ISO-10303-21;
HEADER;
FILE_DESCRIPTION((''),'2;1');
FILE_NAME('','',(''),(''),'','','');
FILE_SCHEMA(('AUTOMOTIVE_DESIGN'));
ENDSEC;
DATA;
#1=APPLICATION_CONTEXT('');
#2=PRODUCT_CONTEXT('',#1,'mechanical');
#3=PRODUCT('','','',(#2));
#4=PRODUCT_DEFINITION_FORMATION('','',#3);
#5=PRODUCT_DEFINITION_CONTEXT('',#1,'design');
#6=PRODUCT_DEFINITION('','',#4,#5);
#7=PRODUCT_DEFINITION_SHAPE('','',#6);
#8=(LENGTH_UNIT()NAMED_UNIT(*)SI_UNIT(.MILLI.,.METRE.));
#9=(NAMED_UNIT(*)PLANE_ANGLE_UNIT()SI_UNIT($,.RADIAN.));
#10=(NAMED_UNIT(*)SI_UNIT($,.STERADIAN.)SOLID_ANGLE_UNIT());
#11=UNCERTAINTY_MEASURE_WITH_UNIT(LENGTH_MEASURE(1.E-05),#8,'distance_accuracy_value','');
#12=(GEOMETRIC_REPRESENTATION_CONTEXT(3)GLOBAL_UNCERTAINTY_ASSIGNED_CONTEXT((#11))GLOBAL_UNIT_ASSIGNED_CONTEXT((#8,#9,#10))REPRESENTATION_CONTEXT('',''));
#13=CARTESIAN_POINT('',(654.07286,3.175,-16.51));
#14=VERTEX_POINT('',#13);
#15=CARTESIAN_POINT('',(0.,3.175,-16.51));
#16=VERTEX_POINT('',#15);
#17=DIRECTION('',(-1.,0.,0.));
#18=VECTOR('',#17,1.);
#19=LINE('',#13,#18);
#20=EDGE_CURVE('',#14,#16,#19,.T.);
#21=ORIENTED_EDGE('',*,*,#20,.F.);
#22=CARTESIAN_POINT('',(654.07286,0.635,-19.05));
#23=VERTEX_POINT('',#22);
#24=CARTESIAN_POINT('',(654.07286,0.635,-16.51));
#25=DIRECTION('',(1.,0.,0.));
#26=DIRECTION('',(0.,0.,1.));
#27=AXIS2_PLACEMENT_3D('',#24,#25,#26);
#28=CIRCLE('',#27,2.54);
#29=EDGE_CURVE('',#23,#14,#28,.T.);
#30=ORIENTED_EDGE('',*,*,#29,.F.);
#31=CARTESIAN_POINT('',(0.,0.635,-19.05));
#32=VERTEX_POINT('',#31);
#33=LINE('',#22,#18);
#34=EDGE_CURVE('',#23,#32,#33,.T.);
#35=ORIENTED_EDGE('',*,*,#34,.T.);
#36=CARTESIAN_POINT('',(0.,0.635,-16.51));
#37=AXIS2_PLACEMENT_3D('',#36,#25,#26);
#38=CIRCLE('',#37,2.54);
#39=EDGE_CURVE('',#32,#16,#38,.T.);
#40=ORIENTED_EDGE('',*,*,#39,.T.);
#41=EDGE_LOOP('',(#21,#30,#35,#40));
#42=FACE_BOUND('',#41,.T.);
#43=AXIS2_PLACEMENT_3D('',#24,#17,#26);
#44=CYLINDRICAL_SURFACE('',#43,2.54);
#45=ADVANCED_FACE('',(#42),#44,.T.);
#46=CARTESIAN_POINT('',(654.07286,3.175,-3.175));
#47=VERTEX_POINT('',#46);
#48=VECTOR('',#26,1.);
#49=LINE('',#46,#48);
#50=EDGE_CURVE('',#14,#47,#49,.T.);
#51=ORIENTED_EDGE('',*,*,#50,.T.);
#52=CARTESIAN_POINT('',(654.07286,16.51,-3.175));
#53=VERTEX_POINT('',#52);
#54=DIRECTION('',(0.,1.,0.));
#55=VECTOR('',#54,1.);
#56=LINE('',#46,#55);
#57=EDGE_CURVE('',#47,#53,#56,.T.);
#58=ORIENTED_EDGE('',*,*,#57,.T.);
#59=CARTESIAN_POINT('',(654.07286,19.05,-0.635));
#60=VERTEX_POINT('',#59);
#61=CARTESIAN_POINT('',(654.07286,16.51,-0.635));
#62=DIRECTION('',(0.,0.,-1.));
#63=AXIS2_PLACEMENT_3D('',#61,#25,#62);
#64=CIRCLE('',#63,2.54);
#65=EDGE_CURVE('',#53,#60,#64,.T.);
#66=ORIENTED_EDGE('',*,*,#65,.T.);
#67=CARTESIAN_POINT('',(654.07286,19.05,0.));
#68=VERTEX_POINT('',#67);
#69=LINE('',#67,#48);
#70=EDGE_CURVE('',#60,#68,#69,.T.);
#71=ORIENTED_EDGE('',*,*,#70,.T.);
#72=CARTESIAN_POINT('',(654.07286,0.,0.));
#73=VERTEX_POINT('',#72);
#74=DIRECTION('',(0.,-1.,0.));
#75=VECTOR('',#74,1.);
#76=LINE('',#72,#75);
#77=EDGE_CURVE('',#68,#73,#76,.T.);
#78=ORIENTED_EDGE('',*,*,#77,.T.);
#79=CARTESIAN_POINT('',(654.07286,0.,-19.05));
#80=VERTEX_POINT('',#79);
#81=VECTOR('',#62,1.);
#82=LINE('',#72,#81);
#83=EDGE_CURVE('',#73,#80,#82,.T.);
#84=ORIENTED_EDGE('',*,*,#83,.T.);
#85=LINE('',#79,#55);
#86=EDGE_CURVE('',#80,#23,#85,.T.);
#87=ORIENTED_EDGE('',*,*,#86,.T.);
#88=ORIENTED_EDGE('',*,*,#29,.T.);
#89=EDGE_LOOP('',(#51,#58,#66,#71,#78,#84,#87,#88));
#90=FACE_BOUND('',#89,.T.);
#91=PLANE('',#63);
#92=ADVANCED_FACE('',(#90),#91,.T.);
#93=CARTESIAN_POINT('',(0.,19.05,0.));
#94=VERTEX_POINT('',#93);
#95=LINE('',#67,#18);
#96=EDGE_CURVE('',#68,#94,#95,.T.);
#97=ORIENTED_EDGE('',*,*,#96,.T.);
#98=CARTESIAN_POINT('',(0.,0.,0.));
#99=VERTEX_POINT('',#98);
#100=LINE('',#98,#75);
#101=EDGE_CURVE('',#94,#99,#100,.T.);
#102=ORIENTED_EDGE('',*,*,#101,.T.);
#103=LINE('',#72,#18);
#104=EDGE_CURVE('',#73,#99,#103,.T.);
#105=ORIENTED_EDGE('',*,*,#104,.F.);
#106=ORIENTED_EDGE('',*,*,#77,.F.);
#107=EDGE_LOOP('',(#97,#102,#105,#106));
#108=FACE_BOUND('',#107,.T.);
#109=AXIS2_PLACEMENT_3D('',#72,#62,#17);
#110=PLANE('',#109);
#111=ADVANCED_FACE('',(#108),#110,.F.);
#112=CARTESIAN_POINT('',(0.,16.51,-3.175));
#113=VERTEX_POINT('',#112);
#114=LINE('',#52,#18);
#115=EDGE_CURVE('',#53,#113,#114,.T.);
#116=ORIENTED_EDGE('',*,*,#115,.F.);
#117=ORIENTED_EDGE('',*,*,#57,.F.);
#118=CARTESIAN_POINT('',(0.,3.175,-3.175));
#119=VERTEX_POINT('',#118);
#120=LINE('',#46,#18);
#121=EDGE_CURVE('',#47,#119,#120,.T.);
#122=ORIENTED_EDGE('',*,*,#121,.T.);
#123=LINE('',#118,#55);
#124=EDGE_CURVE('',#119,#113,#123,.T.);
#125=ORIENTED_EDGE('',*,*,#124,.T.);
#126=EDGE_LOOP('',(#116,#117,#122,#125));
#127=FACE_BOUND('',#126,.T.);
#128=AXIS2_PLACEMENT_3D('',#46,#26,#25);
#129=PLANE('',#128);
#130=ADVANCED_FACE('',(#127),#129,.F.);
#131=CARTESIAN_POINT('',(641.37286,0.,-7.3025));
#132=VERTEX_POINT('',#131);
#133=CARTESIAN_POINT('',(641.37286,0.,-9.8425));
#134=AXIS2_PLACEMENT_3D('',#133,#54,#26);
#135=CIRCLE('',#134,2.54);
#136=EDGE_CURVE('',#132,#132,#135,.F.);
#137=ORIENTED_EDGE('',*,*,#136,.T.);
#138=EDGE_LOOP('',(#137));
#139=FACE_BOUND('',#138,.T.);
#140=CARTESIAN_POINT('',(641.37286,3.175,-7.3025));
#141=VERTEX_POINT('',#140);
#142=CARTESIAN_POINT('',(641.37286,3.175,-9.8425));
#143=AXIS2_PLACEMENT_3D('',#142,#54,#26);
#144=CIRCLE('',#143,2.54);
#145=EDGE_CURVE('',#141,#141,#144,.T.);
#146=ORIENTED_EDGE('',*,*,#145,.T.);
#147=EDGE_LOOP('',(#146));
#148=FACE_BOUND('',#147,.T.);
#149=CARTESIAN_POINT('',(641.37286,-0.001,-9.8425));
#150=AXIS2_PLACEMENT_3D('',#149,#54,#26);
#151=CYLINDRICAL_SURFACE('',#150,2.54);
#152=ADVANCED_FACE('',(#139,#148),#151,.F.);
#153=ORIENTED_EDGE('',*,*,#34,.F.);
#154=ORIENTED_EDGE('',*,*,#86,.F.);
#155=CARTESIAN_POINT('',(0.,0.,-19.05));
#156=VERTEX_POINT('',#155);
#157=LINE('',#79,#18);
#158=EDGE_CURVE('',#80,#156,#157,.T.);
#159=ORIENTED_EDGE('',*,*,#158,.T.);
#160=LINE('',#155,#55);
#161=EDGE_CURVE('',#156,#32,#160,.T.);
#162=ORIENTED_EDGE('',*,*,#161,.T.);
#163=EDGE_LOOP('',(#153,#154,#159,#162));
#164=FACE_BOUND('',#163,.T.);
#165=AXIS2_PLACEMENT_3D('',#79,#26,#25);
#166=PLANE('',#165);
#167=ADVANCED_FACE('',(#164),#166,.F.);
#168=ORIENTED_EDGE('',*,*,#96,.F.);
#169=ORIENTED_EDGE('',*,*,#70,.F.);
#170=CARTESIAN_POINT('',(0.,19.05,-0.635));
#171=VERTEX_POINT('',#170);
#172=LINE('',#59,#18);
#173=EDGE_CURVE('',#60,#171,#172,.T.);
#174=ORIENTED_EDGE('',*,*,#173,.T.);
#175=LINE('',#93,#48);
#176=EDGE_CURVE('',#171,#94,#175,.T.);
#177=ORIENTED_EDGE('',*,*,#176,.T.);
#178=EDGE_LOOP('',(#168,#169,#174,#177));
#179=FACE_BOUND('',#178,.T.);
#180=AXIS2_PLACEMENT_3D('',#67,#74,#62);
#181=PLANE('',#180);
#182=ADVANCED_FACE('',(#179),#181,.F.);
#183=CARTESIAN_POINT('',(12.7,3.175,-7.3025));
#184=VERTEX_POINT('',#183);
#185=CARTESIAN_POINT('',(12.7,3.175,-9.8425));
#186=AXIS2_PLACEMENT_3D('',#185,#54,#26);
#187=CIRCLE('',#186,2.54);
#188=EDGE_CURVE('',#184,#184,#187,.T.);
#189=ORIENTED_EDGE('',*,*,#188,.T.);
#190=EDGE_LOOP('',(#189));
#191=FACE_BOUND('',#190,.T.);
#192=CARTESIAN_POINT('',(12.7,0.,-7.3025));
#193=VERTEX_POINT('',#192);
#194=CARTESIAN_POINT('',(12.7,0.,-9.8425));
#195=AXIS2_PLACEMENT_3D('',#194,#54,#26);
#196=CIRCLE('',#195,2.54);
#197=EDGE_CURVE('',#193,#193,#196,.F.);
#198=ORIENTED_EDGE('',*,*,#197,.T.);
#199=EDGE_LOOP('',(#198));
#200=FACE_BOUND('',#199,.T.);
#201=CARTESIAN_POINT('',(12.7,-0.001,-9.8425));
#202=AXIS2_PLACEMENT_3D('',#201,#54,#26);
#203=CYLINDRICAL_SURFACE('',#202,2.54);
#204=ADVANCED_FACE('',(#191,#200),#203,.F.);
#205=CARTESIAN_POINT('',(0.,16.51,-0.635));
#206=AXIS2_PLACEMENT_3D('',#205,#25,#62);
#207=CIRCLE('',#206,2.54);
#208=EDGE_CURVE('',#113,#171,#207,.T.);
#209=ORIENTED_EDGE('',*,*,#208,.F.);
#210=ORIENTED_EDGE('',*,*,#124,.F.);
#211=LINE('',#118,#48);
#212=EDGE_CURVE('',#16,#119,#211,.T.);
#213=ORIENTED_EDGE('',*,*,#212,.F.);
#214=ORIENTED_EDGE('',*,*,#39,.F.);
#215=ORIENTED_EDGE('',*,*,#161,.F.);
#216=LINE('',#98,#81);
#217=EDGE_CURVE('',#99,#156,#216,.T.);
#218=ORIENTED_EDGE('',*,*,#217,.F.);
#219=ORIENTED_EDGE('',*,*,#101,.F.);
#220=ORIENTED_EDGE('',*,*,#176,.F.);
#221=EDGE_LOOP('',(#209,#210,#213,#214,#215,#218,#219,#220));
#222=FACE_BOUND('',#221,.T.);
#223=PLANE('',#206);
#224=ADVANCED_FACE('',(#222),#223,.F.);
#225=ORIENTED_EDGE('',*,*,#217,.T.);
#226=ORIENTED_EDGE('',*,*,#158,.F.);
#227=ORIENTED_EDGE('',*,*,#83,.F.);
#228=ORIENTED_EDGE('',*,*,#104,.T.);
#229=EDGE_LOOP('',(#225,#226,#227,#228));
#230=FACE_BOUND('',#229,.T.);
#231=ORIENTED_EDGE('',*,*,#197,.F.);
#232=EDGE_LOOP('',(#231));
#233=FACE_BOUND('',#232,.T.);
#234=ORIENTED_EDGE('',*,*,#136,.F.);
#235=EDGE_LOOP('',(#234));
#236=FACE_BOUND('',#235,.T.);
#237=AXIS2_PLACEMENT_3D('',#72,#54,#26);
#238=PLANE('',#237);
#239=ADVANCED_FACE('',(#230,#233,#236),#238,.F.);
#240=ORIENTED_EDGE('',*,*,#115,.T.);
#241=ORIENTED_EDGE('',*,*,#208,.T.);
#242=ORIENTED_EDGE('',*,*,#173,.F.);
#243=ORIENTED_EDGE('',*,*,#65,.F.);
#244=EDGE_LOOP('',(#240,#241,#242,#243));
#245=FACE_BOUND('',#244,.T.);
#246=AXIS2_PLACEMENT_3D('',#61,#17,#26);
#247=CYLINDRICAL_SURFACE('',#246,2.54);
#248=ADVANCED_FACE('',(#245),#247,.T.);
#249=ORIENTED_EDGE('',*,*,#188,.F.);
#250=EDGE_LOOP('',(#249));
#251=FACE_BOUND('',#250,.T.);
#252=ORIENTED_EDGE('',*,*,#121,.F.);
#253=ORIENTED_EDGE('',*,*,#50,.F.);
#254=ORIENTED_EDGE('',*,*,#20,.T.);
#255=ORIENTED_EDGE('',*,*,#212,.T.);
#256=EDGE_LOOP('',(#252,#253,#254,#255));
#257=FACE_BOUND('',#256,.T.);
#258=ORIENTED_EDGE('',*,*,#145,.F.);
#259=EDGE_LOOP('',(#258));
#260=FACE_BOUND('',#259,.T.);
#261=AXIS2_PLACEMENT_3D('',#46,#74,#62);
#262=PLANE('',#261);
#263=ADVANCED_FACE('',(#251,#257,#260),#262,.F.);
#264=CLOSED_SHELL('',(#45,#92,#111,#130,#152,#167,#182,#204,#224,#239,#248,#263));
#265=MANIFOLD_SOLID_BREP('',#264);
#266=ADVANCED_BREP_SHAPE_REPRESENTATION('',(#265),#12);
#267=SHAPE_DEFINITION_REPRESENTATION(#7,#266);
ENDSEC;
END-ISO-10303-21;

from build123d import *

# Parameters (mm, degrees)
BOSS_EXTRUDE1_DEPTH = 654.07286
CUT_EXTRUDE1_REACH  = 5.175
SKETCH2_R           = 2.54


with BuildPart() as part:
    # Sketch1 → Boss-Extrude1 (new body)
    with BuildSketch(Plane(origin=(0, 0, 0), x_dir=(0, 0, -1), z_dir=(1, 0, 0))):
        with BuildLine():
            Line((3.175, 3.175), (16.51, 3.175))
            ThreePointArc((16.51, 3.175), (18.306051224, 2.431051224), (19.05, 0.635))
            Line((19.05, 0.635), (19.05, 0))
            Line((19.05, 0), (0, 0))
            Line((0, 0), (0, 19.05))
            Line((0, 19.05), (0.635, 19.05))
            ThreePointArc((0.635, 19.05), (2.431051224, 18.306051224), (3.175, 16.51))
            Line((3.175, 16.51), (3.175, 3.175))
        make_face()
    extrude(amount=BOSS_EXTRUDE1_DEPTH)

    # Sketch2 → Cut-Extrude1 (cut, up to next)
    with BuildSketch(Plane(origin=(0, 3.175, 0), x_dir=(1, 0, 0), z_dir=(0, 1, 0)), mode=Mode.PRIVATE) as cut_extrude1_sk1:
        with Locations((641.37286, 9.8425)):
            Circle(SKETCH2_R)
    cut_extrude1_tool1 = extrude(cut_extrude1_sk1.sketch, amount=-CUT_EXTRUDE1_REACH, mode=Mode.PRIVATE) & part.part
    add(cut_extrude1_tool1.solids().sort_by_distance((641.37286, 3.175, -9.8425))[0], mode=Mode.SUBTRACT)
    # Sketch2 → Cut-Extrude1 (cut, up to next)
    with BuildSketch(Plane(origin=(0, 3.175, 0), x_dir=(1, 0, 0), z_dir=(0, 1, 0)), mode=Mode.PRIVATE) as cut_extrude1_sk2:
        with Locations((12.7, 9.8425)):
            Circle(SKETCH2_R)
    cut_extrude1_tool2 = extrude(cut_extrude1_sk2.sketch, amount=-CUT_EXTRUDE1_REACH, mode=Mode.PRIVATE) & part.part
    add(cut_extrude1_tool2.solids().sort_by_distance((12.7, 3.175, -9.8425))[0], mode=Mode.SUBTRACT)


solid = part.part
